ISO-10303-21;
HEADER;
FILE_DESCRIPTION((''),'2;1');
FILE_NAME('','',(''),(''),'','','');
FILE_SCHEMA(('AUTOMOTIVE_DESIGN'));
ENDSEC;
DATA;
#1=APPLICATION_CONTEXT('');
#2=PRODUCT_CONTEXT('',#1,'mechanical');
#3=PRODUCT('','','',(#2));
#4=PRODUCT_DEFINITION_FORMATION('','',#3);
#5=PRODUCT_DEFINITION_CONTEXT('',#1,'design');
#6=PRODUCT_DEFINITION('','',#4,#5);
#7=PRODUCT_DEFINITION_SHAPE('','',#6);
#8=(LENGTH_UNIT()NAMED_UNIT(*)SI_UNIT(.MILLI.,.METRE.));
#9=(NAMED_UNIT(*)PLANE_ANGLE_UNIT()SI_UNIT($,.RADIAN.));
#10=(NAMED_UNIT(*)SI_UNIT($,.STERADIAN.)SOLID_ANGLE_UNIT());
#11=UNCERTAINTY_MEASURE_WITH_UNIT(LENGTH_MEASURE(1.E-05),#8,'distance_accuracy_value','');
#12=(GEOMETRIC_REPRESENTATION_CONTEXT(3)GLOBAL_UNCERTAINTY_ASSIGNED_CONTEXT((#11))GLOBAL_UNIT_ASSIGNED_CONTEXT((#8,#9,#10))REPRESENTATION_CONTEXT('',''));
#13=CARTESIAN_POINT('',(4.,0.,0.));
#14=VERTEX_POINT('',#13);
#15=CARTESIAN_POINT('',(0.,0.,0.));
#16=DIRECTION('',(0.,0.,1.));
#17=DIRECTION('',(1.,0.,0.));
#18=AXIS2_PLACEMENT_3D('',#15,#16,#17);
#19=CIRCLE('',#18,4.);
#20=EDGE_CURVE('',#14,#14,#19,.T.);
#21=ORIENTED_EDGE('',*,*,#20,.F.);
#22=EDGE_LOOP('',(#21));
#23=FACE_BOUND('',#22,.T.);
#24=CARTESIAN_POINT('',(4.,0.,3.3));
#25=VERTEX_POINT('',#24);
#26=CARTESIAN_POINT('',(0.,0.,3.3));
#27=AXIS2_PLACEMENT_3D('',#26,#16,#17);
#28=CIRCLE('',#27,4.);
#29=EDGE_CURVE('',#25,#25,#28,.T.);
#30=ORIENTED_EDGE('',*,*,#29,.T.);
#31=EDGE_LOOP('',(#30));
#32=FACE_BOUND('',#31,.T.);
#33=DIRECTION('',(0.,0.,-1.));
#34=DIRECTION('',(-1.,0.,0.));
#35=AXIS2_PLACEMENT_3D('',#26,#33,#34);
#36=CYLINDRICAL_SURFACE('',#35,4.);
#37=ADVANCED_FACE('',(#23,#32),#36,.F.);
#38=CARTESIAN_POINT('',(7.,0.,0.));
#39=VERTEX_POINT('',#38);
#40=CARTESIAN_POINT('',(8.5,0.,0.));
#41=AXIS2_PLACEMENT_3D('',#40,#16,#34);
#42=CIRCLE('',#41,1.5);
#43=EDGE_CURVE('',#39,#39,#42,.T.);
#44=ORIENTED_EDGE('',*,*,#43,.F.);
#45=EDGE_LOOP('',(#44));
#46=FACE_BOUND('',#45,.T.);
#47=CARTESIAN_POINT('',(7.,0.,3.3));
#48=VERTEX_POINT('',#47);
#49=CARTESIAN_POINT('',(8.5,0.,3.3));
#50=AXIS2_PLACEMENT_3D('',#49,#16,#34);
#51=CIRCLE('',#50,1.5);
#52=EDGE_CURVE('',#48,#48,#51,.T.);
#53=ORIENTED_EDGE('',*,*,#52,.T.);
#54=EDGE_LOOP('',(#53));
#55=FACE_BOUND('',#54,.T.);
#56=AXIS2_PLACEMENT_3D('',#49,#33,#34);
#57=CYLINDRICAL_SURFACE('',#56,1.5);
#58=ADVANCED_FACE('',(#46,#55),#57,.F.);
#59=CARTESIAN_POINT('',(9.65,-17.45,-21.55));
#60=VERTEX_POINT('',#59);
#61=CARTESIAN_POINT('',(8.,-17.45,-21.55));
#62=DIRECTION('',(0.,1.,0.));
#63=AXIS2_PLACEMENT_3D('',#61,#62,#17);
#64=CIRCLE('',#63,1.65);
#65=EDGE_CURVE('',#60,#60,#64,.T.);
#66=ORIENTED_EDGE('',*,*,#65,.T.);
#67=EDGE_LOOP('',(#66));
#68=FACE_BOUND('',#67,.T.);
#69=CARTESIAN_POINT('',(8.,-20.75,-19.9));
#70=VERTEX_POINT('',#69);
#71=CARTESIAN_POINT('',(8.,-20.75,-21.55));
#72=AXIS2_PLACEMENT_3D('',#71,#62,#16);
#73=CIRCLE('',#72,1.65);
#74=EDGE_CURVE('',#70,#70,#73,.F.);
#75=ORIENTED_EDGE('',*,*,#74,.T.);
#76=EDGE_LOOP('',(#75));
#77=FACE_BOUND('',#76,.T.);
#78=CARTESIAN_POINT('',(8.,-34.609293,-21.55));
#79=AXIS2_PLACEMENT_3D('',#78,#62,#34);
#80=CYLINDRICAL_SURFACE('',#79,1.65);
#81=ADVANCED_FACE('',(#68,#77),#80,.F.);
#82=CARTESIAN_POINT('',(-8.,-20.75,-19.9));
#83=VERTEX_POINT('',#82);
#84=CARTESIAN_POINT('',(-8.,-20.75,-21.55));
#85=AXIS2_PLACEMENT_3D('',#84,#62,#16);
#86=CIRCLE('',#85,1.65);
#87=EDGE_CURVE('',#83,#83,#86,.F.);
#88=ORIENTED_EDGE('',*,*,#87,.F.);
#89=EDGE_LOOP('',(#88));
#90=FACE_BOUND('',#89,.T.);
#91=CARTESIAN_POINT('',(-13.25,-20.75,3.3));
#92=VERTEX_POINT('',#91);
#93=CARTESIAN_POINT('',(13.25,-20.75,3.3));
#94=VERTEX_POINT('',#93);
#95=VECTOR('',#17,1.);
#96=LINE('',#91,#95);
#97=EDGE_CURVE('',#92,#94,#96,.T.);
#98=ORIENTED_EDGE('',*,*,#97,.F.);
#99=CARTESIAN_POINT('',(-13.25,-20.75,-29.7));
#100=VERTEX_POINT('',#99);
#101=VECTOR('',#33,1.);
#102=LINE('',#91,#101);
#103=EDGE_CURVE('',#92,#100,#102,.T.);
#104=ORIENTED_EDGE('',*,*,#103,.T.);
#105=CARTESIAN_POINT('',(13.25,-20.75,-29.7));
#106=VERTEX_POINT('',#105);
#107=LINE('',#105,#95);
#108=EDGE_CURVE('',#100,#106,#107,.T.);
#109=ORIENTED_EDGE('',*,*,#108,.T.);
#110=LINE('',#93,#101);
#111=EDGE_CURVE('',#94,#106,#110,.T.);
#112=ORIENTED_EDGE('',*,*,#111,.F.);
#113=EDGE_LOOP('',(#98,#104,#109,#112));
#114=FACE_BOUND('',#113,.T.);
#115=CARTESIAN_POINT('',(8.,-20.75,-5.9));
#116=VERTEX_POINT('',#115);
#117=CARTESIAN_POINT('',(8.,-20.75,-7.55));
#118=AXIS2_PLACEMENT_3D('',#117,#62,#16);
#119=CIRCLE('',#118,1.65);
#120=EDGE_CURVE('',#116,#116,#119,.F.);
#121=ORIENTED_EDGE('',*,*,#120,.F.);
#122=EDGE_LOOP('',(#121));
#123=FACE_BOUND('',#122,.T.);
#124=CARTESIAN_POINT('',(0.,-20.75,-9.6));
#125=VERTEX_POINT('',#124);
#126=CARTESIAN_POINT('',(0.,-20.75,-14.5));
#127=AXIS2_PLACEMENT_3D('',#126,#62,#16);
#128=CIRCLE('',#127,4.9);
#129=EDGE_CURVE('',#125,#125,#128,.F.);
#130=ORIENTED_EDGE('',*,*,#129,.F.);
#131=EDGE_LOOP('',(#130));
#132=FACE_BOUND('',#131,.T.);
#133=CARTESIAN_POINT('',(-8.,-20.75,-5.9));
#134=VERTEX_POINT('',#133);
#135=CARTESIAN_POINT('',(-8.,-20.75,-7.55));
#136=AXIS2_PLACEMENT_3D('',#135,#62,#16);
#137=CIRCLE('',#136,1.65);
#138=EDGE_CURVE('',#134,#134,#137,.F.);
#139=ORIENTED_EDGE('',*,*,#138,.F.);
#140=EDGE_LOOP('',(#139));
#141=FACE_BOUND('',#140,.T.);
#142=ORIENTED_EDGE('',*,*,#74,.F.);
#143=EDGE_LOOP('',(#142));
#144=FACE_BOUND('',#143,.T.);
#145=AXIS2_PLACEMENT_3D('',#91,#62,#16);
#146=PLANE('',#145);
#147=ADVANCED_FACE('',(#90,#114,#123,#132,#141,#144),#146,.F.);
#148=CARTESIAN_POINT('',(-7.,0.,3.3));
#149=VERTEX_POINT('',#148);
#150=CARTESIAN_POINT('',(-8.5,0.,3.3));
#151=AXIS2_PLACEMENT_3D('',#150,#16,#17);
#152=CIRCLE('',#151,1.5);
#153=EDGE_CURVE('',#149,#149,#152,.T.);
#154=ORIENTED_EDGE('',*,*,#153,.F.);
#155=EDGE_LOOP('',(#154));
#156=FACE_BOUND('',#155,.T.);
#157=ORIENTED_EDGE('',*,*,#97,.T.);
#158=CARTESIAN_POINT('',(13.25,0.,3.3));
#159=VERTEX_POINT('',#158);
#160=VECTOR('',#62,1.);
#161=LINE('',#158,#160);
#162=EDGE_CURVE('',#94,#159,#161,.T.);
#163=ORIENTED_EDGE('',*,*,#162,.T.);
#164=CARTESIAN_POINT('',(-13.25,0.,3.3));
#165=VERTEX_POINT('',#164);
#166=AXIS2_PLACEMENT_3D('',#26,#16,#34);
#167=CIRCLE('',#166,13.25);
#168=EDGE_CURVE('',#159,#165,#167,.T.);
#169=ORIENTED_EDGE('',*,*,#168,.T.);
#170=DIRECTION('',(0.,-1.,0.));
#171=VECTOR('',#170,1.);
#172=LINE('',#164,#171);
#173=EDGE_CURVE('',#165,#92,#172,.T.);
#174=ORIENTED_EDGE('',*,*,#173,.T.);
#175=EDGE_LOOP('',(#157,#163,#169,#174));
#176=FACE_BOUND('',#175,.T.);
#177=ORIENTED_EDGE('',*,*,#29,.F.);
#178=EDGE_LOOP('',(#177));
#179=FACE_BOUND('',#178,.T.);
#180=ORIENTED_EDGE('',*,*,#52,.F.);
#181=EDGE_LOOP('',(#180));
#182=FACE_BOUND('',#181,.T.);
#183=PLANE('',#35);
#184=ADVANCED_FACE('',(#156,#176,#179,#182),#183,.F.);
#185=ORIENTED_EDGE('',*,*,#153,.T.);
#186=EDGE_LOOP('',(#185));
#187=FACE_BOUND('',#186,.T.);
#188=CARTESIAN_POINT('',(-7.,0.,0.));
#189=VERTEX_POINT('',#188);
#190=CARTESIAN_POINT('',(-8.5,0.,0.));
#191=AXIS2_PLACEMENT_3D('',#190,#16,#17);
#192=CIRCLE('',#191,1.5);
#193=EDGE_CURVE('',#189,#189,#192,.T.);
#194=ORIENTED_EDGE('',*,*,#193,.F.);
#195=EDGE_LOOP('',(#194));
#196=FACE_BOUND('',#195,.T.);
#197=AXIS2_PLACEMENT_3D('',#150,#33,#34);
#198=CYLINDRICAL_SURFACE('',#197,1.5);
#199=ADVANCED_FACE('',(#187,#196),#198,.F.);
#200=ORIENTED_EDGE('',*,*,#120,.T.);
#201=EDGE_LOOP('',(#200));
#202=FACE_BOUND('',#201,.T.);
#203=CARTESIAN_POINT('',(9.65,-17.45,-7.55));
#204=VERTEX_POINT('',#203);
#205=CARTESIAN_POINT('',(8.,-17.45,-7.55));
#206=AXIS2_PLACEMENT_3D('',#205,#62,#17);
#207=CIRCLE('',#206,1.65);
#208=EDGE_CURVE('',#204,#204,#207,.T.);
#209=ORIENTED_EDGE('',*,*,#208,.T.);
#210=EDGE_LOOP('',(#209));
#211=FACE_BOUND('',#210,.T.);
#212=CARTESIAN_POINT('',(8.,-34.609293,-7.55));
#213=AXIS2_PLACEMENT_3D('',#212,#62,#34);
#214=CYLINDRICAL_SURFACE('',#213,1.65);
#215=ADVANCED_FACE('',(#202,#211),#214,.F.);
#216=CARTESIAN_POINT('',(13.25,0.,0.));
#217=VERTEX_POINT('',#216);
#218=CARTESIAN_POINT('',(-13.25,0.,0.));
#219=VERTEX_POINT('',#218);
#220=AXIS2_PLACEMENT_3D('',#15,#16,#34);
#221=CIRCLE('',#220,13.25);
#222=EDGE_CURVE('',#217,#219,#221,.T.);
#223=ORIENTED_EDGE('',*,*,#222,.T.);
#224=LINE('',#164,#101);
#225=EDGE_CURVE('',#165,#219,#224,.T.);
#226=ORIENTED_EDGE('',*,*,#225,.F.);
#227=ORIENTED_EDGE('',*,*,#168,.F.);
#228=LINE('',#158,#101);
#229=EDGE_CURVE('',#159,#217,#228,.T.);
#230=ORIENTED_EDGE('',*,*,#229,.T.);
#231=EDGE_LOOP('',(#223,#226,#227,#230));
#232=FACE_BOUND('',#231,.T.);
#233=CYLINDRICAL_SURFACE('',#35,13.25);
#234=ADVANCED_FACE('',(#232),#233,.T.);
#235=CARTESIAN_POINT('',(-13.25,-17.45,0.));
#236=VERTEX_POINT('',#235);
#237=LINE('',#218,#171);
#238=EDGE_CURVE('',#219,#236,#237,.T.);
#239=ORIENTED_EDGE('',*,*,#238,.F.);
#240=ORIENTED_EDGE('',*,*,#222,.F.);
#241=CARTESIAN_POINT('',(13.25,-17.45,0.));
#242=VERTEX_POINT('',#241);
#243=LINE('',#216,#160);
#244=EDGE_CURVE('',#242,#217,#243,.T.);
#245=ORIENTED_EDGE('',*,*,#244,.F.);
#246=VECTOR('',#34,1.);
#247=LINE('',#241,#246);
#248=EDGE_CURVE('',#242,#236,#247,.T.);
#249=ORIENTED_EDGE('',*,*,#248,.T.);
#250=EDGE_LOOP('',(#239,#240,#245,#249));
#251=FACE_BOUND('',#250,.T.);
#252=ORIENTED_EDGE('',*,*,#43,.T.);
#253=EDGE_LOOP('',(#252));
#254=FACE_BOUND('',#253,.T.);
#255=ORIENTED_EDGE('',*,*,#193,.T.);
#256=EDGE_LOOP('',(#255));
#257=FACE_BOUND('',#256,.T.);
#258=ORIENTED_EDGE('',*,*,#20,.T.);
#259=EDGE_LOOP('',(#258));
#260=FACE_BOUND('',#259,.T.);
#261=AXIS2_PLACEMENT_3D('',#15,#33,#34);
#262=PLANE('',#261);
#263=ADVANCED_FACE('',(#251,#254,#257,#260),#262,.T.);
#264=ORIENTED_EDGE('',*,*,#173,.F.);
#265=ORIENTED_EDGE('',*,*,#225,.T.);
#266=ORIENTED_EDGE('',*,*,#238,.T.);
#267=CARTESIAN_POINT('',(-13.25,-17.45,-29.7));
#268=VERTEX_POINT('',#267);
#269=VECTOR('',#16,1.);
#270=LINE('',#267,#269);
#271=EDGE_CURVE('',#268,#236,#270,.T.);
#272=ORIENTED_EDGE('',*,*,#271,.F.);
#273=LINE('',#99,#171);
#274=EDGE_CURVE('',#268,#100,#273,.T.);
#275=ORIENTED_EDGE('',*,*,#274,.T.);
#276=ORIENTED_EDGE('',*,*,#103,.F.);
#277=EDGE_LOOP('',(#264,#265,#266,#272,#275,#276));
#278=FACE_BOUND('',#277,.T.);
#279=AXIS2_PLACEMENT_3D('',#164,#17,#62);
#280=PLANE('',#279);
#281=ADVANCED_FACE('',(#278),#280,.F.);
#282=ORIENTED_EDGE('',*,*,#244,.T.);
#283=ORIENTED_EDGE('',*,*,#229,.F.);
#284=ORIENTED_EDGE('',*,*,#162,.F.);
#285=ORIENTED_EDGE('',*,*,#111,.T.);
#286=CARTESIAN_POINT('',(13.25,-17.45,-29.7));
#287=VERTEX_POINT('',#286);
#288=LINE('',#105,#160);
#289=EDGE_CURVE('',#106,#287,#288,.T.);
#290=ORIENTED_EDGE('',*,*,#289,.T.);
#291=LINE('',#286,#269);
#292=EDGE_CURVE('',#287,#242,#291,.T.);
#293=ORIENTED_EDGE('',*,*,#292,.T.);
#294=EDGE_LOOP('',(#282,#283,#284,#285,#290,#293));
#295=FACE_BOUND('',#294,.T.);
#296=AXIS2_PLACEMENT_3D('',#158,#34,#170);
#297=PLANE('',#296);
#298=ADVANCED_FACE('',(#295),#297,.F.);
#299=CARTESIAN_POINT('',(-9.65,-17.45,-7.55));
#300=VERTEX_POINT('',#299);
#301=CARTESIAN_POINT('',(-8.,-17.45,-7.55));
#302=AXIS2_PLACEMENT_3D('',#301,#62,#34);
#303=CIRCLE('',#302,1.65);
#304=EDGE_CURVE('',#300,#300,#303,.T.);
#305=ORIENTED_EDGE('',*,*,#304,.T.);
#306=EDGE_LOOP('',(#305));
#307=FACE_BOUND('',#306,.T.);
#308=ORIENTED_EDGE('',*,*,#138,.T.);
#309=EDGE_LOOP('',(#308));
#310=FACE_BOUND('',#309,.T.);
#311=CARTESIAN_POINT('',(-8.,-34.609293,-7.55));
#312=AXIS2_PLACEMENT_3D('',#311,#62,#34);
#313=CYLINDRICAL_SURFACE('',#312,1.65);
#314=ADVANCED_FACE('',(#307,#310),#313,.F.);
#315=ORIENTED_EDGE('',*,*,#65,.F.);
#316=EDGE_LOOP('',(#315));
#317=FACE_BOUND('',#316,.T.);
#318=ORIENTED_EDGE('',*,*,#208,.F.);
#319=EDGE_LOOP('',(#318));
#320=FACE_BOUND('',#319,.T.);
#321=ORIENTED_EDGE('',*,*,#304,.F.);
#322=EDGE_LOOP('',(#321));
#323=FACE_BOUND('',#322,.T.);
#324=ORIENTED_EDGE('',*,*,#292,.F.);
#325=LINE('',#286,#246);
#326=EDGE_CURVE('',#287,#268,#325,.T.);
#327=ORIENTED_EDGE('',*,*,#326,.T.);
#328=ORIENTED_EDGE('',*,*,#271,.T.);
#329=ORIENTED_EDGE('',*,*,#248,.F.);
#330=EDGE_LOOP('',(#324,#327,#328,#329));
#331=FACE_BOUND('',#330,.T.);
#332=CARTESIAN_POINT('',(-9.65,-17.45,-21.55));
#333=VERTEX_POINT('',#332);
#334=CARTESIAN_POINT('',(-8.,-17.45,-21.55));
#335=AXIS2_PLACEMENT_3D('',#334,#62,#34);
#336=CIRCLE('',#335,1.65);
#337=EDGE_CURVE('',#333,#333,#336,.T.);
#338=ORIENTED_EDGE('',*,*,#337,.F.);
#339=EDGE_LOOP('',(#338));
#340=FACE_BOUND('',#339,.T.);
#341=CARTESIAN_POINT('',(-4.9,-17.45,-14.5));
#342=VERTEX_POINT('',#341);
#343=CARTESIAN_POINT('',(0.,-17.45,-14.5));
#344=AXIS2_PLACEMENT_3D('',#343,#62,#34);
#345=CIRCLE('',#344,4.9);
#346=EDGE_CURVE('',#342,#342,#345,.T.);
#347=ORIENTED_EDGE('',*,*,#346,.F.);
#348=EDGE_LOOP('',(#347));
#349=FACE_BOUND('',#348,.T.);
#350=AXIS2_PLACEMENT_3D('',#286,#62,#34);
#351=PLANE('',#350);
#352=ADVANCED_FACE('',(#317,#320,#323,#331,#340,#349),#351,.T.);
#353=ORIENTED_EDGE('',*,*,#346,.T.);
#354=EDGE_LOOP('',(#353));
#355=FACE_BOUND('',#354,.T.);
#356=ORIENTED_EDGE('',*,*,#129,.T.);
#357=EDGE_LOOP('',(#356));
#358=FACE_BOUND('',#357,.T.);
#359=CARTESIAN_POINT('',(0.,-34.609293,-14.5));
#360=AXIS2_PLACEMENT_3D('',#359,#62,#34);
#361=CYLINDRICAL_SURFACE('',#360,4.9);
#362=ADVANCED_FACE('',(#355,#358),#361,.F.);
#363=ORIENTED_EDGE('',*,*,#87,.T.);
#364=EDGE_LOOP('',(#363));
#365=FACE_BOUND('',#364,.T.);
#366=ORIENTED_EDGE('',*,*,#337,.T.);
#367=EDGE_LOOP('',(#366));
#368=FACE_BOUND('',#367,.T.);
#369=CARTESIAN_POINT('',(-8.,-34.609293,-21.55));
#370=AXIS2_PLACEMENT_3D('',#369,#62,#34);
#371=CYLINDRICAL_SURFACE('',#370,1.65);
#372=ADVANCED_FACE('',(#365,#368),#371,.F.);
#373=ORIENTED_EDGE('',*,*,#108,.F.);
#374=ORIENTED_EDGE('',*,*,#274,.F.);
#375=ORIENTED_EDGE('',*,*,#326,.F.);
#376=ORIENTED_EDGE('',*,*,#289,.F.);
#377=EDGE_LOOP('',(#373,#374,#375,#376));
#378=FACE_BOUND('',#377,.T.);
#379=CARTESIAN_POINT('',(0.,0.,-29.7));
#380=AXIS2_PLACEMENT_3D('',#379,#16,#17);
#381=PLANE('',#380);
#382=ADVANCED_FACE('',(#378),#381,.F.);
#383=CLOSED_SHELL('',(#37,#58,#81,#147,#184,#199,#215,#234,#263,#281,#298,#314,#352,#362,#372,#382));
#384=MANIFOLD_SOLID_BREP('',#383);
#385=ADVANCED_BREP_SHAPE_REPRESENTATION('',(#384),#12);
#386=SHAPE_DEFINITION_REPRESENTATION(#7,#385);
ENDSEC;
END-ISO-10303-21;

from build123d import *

# Parameters (mm, degrees)
SKETCH_1_R          = 4
SKETCH_1_R_2        = 1.5
EXTRUDE_1_DEPTH     = 3.3
SKETCH_2_W          = 26.5
SKETCH_2_H          = 3.3
EXTRUDE_2_DEPTH     = 29.7
SKETCH_3_R          = 4.9
SKETCH_3_R_2        = 1.65
CUT_EXTRUDE_1_DEPTH = 3.3


with BuildPart() as part:
    # 草图1 → 凸台-拉伸1 (new body)
    with BuildSketch(Plane.XY):
        with BuildLine():
            Line((-13.25, 0), (-13.25, -20.75))
            Line((-13.25, -20.75), (13.25, -20.75))
            Line((13.25, -20.75), (13.25, 0))
            ThreePointArc((13.25, 0), (0, 13.25), (-13.25, 0))
        make_face()
        Circle(SKETCH_1_R, mode=Mode.SUBTRACT)
        with Locations((-8.5, 0)):
            Circle(SKETCH_1_R_2, mode=Mode.SUBTRACT)
        with Locations((8.5, 0)):
            Circle(SKETCH_1_R_2, mode=Mode.SUBTRACT)
    extrude(amount=EXTRUDE_1_DEPTH)

    # 草图2 → 凸台-拉伸2 (add)
    with BuildSketch(Plane.XY):
        with Locations((0, -19.1)):
            Rectangle(SKETCH_2_W, SKETCH_2_H)
    extrude(amount=-EXTRUDE_2_DEPTH)

    # 草图3 → 切除-拉伸1 (cut)
    with BuildSketch(Plane(origin=(0, -17.45, 0), x_dir=(1, 0, 0), z_dir=(0, 1, 0))):
        with Locations((0, 14.5)):
            Circle(SKETCH_3_R)
        with Locations((-8, 21.55)):
            Circle(SKETCH_3_R_2)
        with Locations((-8, 7.55)):
            Circle(SKETCH_3_R_2)
        with Locations((8, 7.55)):
            Circle(SKETCH_3_R_2)
        with Locations((8, 21.55)):
            Circle(SKETCH_3_R_2)
    extrude(amount=-CUT_EXTRUDE_1_DEPTH, mode=Mode.SUBTRACT)


solid = part.part
